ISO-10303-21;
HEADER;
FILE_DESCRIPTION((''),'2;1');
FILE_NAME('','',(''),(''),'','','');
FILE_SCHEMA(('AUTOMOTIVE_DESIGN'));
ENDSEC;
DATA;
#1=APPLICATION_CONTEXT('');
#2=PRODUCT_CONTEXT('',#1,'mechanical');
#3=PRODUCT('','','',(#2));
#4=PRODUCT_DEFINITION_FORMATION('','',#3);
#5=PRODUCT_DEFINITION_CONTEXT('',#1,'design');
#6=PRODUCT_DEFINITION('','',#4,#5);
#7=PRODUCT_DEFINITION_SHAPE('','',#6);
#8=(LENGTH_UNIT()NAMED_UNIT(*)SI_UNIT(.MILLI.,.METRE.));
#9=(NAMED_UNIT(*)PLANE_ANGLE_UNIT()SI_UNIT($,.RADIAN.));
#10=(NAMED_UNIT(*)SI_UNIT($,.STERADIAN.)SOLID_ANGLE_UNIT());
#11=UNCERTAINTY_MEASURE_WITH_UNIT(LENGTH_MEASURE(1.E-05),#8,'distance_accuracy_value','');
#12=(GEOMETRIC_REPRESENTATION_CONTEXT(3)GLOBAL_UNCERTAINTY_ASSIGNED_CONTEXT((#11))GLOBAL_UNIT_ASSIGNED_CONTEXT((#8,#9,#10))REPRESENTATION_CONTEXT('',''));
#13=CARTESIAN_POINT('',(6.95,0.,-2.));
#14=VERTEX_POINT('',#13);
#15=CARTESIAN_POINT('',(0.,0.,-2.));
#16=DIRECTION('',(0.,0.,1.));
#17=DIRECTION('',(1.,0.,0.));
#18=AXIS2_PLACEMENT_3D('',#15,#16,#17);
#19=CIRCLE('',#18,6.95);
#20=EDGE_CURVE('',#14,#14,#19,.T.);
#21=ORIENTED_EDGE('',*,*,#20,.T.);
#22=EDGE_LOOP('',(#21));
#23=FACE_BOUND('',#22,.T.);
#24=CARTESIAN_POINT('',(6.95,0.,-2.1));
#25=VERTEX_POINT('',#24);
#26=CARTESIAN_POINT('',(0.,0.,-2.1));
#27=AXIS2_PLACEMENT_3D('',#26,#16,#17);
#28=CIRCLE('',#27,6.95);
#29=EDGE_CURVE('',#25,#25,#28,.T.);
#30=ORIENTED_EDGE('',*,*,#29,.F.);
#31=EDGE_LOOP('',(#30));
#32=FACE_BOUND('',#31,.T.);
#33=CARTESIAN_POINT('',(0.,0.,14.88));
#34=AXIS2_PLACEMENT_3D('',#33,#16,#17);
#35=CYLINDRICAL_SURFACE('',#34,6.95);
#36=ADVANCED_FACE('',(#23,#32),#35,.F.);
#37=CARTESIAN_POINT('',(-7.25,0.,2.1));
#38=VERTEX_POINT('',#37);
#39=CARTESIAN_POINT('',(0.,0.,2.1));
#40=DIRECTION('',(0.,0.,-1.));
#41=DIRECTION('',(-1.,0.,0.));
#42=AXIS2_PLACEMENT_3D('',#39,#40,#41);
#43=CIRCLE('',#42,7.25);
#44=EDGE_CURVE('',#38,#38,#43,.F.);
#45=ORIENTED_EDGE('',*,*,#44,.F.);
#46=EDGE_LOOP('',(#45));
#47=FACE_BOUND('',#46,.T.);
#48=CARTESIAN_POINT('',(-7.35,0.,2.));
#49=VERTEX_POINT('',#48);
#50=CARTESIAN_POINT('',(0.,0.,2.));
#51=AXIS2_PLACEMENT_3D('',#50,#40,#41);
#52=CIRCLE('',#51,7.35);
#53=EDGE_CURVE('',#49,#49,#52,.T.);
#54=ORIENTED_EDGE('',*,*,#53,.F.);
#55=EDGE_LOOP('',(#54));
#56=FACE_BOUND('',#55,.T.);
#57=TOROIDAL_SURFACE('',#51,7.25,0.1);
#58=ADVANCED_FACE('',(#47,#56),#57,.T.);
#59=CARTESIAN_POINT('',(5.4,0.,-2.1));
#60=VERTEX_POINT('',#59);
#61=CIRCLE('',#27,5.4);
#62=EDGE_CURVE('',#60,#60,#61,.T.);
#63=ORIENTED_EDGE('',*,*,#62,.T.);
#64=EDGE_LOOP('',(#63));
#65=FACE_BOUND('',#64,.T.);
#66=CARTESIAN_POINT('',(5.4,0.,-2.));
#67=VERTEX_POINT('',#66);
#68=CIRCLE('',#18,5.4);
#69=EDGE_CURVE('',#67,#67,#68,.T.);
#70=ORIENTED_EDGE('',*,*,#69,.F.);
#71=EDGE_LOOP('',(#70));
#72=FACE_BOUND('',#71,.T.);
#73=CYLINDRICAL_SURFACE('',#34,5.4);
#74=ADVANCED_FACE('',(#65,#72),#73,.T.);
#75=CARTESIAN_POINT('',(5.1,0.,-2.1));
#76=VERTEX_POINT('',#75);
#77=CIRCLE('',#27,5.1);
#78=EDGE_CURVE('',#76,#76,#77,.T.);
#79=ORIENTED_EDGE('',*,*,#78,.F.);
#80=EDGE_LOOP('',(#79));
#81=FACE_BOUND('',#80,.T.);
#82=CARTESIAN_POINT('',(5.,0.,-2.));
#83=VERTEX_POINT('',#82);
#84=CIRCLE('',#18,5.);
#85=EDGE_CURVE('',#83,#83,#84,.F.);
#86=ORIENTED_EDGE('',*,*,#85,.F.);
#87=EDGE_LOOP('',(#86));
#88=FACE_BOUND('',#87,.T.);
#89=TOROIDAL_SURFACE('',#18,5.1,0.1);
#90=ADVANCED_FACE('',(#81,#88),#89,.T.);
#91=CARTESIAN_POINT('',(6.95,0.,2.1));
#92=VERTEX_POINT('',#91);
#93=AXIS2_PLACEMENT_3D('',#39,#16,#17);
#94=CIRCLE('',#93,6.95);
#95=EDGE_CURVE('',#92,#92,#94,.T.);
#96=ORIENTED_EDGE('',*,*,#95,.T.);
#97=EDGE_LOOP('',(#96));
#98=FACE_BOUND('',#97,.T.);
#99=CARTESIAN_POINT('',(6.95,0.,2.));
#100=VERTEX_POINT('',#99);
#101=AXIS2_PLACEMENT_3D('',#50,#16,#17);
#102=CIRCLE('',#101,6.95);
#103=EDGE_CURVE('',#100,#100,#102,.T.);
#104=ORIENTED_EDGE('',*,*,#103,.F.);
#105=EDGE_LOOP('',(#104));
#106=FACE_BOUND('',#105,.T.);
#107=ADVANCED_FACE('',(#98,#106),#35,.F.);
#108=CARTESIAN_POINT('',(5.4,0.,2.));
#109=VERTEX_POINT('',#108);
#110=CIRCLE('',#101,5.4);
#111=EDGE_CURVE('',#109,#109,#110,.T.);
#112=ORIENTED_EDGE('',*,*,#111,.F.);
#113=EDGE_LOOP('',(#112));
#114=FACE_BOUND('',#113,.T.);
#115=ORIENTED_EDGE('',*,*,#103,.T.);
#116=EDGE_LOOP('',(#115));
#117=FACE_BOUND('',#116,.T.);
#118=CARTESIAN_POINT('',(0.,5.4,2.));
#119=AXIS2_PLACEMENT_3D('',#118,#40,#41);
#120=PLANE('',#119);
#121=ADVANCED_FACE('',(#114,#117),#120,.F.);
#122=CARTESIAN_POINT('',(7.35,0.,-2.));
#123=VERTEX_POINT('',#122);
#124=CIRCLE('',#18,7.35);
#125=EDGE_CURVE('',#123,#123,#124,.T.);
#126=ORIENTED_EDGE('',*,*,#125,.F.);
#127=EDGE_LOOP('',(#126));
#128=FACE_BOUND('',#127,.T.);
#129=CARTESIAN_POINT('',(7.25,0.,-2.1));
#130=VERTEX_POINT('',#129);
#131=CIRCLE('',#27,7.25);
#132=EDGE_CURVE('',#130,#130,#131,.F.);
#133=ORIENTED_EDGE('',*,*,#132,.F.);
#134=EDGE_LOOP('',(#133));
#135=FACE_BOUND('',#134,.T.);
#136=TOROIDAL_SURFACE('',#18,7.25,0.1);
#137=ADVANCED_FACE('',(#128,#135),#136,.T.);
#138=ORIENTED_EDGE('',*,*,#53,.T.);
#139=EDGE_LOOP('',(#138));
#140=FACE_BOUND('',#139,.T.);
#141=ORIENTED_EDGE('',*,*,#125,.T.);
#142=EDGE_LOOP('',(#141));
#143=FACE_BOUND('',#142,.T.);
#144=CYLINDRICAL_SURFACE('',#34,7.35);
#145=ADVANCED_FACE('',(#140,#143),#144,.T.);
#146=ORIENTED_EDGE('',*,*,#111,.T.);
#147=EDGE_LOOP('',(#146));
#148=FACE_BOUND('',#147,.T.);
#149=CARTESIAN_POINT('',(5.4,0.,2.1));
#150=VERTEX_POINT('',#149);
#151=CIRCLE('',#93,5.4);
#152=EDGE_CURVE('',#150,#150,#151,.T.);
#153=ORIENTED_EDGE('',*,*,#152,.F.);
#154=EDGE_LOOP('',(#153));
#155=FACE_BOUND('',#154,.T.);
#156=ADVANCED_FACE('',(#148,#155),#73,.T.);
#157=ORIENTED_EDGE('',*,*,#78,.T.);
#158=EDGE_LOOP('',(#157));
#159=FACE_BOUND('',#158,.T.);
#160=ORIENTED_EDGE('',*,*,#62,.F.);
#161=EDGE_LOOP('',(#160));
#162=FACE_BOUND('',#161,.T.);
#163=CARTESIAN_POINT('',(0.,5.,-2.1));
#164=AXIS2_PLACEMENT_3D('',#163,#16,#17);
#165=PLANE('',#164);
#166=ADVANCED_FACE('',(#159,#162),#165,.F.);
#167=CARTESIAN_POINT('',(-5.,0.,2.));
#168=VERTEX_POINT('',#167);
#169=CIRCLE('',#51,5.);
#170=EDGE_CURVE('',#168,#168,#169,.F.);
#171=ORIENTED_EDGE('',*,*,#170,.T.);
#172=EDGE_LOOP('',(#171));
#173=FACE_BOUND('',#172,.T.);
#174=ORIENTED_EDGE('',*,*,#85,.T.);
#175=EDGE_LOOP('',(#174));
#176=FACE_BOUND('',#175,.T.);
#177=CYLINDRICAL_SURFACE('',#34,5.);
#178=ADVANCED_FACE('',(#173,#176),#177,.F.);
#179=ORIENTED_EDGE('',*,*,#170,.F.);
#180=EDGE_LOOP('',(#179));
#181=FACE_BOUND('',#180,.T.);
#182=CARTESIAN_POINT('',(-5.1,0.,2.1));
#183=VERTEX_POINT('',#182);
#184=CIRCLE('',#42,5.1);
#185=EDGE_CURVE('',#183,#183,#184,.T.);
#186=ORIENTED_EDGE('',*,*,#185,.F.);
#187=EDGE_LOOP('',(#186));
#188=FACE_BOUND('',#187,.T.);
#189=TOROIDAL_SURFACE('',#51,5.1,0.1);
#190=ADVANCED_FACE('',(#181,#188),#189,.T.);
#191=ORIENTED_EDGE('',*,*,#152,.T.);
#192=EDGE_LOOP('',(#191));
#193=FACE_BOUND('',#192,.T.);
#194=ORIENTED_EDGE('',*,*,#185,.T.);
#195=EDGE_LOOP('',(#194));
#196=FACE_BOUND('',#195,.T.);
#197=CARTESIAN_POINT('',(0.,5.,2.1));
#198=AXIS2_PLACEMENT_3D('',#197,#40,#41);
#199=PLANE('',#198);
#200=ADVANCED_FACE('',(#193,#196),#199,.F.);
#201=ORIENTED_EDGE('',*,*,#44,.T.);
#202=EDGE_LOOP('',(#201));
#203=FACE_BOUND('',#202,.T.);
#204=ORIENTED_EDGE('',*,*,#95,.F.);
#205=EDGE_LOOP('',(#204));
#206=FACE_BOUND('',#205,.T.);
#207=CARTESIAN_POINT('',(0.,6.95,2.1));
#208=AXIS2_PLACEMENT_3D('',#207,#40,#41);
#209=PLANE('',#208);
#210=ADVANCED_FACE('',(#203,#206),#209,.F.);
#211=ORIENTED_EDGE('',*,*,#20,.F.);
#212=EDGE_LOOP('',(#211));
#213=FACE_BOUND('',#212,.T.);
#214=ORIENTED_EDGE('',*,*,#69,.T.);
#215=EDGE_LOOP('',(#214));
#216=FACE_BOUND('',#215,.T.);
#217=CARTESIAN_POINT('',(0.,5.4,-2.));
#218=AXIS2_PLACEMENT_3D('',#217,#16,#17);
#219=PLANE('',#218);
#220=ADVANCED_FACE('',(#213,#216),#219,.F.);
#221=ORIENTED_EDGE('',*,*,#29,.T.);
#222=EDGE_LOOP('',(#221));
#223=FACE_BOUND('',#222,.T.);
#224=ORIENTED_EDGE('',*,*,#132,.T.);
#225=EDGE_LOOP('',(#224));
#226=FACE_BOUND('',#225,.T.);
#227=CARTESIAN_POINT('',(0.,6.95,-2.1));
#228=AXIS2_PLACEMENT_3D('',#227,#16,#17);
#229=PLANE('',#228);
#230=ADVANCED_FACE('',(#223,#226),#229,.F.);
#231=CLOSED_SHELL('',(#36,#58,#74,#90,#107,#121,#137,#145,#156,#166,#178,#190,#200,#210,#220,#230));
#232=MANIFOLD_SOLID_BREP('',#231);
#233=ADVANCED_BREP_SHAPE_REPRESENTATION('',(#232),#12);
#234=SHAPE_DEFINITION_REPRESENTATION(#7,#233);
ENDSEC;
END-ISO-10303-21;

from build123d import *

# Parameters (mm, degrees)
FILLET1_R = 0.1


with BuildPart() as part:
    # Sketch1 → Revolve1 (revolve)
    with BuildSketch(Plane(origin=(0, 0, 0), x_dir=(0, 0, -1), z_dir=(1, 0, 0)), mode=Mode.PRIVATE) as revolve1_sk:
        Polygon((-2.1, 5), (-2.1, 5.4), (-2, 5.4), (-2, 6.95), (-2.1, 6.95), (-2.1, 7.35), (2.1, 7.35), (2.1, 6.95), (2, 6.95), (2, 5.4), (2.1, 5.4), (2.1, 5), align=None)
    revolve(revolve1_sk.sketch.rotate(Axis((0, 0, 14.88), (0, 0, -1)), 90), axis=Axis((0, 0, 14.88), (0, 0, -1)))

    # Fillet1
    fillet1_edges = [part.edges().sort_by_distance(p)[0] for p in [
        (-7.35, 0, 2.1),
        (-7.35, 0, -2.1),
        (-5, 0, -2.1),
        (-5, 0, 2.1),
    ]]
    fillet(fillet1_edges, radius=FILLET1_R)


solid = part.part
